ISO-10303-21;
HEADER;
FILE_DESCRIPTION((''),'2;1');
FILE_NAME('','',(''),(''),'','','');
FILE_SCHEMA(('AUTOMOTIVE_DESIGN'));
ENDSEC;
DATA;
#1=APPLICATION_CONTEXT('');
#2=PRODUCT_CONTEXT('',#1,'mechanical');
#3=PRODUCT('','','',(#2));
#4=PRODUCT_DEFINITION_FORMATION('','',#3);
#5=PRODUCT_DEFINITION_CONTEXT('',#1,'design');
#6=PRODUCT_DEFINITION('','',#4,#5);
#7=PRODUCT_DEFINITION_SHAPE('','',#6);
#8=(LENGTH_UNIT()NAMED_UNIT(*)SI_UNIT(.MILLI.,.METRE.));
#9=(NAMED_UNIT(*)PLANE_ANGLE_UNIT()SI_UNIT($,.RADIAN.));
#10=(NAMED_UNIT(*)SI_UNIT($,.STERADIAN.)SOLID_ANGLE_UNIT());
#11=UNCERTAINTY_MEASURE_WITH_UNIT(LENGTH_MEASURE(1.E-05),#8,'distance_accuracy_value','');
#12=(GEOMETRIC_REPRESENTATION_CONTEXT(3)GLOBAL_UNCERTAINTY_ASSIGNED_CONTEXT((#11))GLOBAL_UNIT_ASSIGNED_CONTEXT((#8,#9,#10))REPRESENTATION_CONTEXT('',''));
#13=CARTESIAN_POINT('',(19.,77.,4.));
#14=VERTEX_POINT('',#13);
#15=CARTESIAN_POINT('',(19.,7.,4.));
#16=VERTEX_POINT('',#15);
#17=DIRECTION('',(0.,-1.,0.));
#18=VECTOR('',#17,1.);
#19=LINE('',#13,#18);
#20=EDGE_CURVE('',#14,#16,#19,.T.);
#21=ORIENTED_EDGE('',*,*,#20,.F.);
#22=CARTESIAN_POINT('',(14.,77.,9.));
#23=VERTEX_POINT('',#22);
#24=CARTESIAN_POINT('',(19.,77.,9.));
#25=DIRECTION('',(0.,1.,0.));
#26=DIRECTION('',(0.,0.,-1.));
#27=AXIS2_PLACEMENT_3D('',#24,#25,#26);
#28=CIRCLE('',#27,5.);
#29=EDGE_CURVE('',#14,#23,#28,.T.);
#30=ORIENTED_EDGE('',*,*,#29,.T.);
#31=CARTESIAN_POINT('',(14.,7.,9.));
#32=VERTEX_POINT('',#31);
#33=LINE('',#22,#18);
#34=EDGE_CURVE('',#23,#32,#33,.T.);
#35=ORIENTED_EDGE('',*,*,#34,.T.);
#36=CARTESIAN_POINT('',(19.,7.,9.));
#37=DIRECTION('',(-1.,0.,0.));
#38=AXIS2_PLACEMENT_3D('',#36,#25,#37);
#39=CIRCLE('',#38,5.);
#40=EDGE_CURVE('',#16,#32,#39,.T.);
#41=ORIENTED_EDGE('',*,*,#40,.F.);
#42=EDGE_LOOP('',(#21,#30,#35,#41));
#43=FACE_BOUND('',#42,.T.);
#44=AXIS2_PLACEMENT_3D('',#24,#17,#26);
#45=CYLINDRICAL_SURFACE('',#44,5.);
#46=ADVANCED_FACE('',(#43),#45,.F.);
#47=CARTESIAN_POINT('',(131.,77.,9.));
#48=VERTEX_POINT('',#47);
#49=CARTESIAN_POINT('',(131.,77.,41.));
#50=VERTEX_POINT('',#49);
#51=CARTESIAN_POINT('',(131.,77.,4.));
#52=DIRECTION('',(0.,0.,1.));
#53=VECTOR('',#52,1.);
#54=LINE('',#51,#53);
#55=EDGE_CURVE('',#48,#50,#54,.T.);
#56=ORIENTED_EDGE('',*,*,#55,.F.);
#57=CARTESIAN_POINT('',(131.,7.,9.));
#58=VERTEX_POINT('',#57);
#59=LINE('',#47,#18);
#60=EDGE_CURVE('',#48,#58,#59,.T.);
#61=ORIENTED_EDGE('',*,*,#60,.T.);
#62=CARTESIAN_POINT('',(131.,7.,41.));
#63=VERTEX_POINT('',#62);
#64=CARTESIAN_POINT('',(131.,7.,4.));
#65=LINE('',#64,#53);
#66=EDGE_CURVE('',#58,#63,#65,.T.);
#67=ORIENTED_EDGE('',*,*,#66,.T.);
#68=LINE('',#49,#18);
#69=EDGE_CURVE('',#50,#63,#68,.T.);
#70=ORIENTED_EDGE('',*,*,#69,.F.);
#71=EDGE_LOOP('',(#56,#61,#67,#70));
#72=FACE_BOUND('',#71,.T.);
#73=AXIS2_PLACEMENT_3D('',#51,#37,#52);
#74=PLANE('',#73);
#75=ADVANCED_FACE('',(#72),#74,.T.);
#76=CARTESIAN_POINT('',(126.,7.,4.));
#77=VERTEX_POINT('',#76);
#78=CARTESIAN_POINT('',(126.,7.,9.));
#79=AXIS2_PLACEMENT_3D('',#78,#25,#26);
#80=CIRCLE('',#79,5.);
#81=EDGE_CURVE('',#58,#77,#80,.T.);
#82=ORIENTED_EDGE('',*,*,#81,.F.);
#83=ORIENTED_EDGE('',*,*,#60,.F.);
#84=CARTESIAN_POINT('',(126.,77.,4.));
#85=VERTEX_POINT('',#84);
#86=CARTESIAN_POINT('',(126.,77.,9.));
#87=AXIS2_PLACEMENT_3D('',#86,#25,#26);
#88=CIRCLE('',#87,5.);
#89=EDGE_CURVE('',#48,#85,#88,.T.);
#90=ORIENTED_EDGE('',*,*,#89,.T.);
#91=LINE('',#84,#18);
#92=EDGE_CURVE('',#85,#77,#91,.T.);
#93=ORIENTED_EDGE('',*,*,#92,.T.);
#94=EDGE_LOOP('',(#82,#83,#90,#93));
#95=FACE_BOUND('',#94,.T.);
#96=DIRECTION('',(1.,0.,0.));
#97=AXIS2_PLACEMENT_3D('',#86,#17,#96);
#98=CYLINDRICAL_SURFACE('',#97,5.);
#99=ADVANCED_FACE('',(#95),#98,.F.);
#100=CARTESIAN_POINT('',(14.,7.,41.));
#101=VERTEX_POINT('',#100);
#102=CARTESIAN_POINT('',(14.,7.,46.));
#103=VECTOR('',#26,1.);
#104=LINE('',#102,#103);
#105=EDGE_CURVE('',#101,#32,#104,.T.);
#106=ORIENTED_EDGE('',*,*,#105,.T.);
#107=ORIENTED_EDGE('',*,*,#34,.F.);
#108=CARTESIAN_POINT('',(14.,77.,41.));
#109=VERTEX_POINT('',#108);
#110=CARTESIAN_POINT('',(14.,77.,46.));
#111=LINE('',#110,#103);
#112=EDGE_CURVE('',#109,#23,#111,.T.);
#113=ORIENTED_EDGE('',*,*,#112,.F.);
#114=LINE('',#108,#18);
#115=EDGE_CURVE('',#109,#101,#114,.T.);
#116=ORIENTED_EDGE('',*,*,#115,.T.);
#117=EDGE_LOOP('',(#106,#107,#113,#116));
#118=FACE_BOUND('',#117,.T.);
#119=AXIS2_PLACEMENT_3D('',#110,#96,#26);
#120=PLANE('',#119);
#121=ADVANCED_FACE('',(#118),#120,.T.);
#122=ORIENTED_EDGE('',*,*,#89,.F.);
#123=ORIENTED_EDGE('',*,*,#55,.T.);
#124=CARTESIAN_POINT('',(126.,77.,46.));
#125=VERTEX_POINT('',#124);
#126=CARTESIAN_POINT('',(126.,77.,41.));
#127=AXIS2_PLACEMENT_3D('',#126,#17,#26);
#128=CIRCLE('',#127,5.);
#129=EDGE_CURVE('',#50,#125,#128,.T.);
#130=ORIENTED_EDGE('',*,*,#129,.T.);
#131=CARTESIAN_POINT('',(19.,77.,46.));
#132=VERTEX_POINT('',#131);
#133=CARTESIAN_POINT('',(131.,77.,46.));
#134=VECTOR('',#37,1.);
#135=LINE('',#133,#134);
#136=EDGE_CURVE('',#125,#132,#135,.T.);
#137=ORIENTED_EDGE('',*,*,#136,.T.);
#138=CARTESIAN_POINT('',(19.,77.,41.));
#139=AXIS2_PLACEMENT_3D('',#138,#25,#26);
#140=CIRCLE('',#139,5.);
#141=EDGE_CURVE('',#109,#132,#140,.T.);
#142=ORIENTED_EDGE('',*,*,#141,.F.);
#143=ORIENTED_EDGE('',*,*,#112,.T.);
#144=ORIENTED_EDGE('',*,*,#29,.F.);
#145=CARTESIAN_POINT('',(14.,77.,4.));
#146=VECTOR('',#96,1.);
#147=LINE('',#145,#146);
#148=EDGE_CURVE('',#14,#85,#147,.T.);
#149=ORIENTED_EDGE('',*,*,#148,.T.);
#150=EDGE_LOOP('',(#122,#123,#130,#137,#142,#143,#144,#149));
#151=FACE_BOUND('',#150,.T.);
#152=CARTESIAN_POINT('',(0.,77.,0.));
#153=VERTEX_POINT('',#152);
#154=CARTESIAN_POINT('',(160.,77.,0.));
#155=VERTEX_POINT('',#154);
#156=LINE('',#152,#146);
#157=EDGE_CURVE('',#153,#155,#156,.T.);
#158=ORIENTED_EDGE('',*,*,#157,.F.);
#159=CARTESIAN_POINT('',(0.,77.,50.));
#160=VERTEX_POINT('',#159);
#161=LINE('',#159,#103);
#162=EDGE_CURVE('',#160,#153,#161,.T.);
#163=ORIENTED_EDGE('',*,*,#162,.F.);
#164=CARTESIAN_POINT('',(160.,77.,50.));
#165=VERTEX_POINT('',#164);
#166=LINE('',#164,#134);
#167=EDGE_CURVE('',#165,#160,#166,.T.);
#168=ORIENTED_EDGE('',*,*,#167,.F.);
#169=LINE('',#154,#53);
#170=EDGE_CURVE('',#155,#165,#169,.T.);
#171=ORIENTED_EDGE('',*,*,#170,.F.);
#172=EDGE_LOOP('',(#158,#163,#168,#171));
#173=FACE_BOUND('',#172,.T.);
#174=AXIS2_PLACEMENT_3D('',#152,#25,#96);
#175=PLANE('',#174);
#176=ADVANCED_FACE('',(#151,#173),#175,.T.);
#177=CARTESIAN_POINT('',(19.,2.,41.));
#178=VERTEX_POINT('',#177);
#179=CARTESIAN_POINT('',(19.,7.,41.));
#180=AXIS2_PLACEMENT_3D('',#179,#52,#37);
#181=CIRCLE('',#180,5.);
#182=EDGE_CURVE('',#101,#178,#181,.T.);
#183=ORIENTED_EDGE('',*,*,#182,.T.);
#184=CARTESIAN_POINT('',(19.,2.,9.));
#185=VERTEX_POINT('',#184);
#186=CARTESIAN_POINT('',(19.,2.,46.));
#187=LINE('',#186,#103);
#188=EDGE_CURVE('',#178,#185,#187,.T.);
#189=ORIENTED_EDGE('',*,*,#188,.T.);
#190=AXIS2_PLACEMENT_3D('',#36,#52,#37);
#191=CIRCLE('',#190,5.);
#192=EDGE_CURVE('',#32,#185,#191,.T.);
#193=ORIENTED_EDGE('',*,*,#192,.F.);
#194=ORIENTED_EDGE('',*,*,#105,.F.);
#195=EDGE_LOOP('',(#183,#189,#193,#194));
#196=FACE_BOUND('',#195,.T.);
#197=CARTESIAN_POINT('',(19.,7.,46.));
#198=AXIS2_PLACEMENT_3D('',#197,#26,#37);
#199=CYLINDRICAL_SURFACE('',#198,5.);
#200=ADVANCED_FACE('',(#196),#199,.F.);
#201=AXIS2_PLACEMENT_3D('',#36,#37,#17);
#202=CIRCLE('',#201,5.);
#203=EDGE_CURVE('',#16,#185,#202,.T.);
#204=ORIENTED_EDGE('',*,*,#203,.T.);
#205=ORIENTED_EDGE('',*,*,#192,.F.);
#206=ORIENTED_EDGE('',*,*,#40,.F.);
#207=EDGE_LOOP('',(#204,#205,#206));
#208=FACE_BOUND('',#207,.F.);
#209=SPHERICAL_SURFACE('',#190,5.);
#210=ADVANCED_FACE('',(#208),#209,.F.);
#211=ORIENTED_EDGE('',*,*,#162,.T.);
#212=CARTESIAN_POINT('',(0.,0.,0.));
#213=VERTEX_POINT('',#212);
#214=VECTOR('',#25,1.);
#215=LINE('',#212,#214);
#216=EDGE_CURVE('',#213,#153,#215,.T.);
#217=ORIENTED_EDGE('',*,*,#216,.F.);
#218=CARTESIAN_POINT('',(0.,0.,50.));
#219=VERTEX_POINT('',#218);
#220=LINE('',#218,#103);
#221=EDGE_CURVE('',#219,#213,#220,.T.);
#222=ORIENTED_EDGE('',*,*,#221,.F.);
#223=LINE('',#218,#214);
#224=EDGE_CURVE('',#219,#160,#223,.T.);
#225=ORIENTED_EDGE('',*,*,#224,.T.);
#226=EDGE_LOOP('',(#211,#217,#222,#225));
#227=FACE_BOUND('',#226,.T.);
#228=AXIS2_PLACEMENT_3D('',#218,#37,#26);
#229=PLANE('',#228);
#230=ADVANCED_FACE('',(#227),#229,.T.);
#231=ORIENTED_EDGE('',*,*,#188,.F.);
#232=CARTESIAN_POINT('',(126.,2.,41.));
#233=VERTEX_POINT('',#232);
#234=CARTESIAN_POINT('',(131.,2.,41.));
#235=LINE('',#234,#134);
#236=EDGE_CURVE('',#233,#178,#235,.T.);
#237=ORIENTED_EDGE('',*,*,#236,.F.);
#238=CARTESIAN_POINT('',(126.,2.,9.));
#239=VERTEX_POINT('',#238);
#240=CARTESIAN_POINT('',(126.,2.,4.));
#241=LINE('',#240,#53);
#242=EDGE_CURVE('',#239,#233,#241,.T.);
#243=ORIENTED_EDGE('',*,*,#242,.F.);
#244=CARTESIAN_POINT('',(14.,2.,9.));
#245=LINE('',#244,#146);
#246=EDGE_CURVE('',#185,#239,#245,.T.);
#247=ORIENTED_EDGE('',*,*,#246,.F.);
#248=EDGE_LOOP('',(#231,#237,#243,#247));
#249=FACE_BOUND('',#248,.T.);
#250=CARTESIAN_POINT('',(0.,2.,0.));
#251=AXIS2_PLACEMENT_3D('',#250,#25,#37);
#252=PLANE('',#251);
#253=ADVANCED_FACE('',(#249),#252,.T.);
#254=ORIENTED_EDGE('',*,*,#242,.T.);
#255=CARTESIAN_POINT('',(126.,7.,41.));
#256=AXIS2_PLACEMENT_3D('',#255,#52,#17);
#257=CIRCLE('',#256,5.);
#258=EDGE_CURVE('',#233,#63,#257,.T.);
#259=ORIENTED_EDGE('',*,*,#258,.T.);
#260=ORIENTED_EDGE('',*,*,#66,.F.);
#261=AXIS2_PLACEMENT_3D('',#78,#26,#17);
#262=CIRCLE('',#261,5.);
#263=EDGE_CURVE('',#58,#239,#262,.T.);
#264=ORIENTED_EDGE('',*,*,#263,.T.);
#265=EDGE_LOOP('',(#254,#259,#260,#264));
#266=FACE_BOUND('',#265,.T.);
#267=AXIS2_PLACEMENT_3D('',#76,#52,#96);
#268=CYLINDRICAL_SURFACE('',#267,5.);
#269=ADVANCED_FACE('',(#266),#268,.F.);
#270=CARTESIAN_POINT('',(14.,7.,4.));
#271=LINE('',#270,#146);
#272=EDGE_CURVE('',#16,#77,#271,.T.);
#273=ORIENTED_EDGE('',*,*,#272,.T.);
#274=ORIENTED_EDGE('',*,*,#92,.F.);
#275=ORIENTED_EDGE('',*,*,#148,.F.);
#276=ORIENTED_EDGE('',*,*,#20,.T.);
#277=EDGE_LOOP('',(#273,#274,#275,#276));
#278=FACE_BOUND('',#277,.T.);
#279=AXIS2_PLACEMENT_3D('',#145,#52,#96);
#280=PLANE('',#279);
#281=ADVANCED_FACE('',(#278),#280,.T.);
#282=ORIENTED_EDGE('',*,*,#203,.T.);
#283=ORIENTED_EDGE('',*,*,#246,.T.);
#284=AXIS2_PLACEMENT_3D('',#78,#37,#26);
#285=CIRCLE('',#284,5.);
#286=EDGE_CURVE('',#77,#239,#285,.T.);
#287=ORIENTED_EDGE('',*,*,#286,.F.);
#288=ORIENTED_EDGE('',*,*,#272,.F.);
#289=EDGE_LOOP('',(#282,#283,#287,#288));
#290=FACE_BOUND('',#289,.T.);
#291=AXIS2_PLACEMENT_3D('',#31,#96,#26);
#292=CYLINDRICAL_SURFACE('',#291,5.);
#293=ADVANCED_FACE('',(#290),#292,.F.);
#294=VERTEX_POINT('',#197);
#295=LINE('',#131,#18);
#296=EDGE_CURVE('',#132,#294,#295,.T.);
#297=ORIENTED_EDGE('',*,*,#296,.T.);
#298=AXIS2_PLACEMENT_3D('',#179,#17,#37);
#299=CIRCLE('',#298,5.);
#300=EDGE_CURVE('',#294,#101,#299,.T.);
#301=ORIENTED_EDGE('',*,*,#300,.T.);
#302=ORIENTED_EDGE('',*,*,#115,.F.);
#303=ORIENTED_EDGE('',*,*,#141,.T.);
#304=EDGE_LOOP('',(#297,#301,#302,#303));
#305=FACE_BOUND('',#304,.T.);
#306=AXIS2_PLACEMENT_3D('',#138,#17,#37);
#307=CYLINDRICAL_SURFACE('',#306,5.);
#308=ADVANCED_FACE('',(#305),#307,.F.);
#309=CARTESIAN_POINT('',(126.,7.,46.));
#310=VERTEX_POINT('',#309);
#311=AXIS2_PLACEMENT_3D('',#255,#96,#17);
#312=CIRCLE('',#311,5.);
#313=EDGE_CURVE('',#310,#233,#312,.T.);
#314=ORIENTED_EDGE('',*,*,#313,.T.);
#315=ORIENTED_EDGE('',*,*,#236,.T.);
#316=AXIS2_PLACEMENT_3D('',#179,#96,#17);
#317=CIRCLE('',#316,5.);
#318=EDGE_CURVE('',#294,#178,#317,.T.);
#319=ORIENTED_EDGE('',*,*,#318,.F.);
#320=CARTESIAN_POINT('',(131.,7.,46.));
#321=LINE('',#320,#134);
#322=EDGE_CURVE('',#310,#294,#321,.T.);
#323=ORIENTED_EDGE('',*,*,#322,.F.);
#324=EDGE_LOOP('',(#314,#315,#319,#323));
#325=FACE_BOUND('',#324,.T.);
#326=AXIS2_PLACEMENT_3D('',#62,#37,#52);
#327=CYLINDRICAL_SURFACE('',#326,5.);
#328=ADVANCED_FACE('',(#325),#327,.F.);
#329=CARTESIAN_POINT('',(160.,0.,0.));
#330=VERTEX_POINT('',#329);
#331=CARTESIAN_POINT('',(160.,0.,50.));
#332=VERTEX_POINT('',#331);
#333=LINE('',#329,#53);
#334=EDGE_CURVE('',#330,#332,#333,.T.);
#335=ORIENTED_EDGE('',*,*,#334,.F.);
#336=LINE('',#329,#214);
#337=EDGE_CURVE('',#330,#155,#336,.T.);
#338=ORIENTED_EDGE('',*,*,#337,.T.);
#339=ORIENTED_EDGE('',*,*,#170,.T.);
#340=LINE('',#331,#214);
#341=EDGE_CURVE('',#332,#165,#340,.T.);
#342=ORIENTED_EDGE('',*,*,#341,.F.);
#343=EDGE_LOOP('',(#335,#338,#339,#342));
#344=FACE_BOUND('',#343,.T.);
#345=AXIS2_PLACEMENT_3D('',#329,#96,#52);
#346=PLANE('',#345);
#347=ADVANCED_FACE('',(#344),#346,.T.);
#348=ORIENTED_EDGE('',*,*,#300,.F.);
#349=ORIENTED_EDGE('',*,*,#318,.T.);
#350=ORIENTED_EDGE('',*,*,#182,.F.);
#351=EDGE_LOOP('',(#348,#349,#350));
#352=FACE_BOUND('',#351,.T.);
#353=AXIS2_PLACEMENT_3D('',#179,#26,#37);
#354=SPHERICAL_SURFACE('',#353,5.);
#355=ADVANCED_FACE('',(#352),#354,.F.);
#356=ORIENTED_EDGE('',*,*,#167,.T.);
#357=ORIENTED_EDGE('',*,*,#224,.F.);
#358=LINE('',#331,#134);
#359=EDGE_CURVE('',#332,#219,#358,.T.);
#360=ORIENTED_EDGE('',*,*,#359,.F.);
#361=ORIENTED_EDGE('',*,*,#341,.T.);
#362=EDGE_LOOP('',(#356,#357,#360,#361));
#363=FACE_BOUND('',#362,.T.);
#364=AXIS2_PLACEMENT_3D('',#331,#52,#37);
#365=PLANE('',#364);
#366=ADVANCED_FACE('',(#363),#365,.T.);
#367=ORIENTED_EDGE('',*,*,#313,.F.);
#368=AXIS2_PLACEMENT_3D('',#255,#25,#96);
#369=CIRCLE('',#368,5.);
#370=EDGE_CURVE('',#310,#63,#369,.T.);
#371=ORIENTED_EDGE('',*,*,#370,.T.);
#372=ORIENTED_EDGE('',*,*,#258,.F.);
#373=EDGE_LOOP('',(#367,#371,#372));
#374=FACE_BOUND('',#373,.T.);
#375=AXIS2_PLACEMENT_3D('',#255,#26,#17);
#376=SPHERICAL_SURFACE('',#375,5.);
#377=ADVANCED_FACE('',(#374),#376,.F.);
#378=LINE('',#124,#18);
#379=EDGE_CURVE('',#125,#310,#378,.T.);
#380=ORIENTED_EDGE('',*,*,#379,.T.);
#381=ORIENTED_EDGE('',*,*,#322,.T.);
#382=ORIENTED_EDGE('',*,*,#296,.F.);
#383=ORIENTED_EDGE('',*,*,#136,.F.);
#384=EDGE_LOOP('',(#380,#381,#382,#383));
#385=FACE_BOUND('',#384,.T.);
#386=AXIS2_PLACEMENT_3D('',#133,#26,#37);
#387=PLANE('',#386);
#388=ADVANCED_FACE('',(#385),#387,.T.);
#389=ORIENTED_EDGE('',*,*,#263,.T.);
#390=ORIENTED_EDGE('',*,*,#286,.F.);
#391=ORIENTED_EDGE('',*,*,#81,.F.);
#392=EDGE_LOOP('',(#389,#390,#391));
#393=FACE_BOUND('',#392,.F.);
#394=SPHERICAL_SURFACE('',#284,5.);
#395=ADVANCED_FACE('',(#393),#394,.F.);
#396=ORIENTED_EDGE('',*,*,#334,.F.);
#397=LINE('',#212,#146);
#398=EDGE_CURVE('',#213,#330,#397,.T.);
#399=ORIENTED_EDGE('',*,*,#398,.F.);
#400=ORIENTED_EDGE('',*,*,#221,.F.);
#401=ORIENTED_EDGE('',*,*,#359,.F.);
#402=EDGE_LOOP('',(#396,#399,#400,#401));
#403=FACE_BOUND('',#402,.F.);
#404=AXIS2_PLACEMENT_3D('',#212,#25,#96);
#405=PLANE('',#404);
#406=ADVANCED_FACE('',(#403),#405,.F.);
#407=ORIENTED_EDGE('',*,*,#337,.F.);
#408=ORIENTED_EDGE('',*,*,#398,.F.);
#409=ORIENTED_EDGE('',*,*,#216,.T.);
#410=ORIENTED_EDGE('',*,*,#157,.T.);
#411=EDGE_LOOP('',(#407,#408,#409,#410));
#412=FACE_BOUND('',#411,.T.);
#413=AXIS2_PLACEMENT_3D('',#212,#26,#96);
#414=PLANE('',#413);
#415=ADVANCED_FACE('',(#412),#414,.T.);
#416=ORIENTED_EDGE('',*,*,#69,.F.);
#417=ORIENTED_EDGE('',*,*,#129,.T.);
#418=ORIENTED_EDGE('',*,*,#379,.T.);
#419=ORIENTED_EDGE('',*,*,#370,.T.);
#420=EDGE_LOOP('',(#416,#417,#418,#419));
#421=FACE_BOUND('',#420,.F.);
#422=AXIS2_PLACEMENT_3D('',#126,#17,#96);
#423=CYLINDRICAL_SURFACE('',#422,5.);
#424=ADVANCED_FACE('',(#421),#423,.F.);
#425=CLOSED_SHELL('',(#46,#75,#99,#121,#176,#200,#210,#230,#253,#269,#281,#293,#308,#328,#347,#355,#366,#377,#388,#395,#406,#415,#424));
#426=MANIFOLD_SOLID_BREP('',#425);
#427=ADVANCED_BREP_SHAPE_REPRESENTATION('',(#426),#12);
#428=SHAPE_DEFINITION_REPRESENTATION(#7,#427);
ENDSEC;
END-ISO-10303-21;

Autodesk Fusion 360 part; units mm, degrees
sketch "Esboço1" plane through (0, 0, 0) normal (0, 1, 0) x (1, 0, 0)
  line L0 (0, 0) -> (160, 0)
  line L1 (160, 0) -> (160, -50)
  line L2 (160, -50) -> (0, -50)
  line L3 (0, -50) -> (0, 0)
  dimension "d1" = 160
  dimension "d2" = 50
extrude "Extrusão1" add sketch "Esboço1" along normal blind 77
sketch "Esboço2" plane through (0, 77, 0) normal (0, 1, 0) x (-1, 0, 0)
  line L0 (0, 50) -> (-160, 50)
  line L1 (-160, 50) -> (-160, 0)
  line L2 (-160, 0) -> (0, 0)
  line L3 (0, 0) -> (0, 50)
  line L4 (-131, 46) -> (-14, 46)
  line L5 (-14, 46) -> (-14, 4)
  line L6 (-14, 4) -> (-131, 4)
  line L7 (-131, 4) -> (-131, 46)
  dimension "d5" = 117
  dimension "d6" = 42
  dimension "d7" = 4
  dimension "d8" = 4
  dimension "d9" = 14
extrude "Extrusão2" cut sketch "Esboço2" against normal blind 75 contours L4 L5 L6 L7
fillet "Arredondamento1" radius 5 8 edges at (14, 2, 25) (14, 39.5, 4) (14, 39.5, 46) (72.5, 2, 4) (131, 39.5, 4) (131, 2, 25) (72.5, 2, 46) (131, 39.5, 46)
